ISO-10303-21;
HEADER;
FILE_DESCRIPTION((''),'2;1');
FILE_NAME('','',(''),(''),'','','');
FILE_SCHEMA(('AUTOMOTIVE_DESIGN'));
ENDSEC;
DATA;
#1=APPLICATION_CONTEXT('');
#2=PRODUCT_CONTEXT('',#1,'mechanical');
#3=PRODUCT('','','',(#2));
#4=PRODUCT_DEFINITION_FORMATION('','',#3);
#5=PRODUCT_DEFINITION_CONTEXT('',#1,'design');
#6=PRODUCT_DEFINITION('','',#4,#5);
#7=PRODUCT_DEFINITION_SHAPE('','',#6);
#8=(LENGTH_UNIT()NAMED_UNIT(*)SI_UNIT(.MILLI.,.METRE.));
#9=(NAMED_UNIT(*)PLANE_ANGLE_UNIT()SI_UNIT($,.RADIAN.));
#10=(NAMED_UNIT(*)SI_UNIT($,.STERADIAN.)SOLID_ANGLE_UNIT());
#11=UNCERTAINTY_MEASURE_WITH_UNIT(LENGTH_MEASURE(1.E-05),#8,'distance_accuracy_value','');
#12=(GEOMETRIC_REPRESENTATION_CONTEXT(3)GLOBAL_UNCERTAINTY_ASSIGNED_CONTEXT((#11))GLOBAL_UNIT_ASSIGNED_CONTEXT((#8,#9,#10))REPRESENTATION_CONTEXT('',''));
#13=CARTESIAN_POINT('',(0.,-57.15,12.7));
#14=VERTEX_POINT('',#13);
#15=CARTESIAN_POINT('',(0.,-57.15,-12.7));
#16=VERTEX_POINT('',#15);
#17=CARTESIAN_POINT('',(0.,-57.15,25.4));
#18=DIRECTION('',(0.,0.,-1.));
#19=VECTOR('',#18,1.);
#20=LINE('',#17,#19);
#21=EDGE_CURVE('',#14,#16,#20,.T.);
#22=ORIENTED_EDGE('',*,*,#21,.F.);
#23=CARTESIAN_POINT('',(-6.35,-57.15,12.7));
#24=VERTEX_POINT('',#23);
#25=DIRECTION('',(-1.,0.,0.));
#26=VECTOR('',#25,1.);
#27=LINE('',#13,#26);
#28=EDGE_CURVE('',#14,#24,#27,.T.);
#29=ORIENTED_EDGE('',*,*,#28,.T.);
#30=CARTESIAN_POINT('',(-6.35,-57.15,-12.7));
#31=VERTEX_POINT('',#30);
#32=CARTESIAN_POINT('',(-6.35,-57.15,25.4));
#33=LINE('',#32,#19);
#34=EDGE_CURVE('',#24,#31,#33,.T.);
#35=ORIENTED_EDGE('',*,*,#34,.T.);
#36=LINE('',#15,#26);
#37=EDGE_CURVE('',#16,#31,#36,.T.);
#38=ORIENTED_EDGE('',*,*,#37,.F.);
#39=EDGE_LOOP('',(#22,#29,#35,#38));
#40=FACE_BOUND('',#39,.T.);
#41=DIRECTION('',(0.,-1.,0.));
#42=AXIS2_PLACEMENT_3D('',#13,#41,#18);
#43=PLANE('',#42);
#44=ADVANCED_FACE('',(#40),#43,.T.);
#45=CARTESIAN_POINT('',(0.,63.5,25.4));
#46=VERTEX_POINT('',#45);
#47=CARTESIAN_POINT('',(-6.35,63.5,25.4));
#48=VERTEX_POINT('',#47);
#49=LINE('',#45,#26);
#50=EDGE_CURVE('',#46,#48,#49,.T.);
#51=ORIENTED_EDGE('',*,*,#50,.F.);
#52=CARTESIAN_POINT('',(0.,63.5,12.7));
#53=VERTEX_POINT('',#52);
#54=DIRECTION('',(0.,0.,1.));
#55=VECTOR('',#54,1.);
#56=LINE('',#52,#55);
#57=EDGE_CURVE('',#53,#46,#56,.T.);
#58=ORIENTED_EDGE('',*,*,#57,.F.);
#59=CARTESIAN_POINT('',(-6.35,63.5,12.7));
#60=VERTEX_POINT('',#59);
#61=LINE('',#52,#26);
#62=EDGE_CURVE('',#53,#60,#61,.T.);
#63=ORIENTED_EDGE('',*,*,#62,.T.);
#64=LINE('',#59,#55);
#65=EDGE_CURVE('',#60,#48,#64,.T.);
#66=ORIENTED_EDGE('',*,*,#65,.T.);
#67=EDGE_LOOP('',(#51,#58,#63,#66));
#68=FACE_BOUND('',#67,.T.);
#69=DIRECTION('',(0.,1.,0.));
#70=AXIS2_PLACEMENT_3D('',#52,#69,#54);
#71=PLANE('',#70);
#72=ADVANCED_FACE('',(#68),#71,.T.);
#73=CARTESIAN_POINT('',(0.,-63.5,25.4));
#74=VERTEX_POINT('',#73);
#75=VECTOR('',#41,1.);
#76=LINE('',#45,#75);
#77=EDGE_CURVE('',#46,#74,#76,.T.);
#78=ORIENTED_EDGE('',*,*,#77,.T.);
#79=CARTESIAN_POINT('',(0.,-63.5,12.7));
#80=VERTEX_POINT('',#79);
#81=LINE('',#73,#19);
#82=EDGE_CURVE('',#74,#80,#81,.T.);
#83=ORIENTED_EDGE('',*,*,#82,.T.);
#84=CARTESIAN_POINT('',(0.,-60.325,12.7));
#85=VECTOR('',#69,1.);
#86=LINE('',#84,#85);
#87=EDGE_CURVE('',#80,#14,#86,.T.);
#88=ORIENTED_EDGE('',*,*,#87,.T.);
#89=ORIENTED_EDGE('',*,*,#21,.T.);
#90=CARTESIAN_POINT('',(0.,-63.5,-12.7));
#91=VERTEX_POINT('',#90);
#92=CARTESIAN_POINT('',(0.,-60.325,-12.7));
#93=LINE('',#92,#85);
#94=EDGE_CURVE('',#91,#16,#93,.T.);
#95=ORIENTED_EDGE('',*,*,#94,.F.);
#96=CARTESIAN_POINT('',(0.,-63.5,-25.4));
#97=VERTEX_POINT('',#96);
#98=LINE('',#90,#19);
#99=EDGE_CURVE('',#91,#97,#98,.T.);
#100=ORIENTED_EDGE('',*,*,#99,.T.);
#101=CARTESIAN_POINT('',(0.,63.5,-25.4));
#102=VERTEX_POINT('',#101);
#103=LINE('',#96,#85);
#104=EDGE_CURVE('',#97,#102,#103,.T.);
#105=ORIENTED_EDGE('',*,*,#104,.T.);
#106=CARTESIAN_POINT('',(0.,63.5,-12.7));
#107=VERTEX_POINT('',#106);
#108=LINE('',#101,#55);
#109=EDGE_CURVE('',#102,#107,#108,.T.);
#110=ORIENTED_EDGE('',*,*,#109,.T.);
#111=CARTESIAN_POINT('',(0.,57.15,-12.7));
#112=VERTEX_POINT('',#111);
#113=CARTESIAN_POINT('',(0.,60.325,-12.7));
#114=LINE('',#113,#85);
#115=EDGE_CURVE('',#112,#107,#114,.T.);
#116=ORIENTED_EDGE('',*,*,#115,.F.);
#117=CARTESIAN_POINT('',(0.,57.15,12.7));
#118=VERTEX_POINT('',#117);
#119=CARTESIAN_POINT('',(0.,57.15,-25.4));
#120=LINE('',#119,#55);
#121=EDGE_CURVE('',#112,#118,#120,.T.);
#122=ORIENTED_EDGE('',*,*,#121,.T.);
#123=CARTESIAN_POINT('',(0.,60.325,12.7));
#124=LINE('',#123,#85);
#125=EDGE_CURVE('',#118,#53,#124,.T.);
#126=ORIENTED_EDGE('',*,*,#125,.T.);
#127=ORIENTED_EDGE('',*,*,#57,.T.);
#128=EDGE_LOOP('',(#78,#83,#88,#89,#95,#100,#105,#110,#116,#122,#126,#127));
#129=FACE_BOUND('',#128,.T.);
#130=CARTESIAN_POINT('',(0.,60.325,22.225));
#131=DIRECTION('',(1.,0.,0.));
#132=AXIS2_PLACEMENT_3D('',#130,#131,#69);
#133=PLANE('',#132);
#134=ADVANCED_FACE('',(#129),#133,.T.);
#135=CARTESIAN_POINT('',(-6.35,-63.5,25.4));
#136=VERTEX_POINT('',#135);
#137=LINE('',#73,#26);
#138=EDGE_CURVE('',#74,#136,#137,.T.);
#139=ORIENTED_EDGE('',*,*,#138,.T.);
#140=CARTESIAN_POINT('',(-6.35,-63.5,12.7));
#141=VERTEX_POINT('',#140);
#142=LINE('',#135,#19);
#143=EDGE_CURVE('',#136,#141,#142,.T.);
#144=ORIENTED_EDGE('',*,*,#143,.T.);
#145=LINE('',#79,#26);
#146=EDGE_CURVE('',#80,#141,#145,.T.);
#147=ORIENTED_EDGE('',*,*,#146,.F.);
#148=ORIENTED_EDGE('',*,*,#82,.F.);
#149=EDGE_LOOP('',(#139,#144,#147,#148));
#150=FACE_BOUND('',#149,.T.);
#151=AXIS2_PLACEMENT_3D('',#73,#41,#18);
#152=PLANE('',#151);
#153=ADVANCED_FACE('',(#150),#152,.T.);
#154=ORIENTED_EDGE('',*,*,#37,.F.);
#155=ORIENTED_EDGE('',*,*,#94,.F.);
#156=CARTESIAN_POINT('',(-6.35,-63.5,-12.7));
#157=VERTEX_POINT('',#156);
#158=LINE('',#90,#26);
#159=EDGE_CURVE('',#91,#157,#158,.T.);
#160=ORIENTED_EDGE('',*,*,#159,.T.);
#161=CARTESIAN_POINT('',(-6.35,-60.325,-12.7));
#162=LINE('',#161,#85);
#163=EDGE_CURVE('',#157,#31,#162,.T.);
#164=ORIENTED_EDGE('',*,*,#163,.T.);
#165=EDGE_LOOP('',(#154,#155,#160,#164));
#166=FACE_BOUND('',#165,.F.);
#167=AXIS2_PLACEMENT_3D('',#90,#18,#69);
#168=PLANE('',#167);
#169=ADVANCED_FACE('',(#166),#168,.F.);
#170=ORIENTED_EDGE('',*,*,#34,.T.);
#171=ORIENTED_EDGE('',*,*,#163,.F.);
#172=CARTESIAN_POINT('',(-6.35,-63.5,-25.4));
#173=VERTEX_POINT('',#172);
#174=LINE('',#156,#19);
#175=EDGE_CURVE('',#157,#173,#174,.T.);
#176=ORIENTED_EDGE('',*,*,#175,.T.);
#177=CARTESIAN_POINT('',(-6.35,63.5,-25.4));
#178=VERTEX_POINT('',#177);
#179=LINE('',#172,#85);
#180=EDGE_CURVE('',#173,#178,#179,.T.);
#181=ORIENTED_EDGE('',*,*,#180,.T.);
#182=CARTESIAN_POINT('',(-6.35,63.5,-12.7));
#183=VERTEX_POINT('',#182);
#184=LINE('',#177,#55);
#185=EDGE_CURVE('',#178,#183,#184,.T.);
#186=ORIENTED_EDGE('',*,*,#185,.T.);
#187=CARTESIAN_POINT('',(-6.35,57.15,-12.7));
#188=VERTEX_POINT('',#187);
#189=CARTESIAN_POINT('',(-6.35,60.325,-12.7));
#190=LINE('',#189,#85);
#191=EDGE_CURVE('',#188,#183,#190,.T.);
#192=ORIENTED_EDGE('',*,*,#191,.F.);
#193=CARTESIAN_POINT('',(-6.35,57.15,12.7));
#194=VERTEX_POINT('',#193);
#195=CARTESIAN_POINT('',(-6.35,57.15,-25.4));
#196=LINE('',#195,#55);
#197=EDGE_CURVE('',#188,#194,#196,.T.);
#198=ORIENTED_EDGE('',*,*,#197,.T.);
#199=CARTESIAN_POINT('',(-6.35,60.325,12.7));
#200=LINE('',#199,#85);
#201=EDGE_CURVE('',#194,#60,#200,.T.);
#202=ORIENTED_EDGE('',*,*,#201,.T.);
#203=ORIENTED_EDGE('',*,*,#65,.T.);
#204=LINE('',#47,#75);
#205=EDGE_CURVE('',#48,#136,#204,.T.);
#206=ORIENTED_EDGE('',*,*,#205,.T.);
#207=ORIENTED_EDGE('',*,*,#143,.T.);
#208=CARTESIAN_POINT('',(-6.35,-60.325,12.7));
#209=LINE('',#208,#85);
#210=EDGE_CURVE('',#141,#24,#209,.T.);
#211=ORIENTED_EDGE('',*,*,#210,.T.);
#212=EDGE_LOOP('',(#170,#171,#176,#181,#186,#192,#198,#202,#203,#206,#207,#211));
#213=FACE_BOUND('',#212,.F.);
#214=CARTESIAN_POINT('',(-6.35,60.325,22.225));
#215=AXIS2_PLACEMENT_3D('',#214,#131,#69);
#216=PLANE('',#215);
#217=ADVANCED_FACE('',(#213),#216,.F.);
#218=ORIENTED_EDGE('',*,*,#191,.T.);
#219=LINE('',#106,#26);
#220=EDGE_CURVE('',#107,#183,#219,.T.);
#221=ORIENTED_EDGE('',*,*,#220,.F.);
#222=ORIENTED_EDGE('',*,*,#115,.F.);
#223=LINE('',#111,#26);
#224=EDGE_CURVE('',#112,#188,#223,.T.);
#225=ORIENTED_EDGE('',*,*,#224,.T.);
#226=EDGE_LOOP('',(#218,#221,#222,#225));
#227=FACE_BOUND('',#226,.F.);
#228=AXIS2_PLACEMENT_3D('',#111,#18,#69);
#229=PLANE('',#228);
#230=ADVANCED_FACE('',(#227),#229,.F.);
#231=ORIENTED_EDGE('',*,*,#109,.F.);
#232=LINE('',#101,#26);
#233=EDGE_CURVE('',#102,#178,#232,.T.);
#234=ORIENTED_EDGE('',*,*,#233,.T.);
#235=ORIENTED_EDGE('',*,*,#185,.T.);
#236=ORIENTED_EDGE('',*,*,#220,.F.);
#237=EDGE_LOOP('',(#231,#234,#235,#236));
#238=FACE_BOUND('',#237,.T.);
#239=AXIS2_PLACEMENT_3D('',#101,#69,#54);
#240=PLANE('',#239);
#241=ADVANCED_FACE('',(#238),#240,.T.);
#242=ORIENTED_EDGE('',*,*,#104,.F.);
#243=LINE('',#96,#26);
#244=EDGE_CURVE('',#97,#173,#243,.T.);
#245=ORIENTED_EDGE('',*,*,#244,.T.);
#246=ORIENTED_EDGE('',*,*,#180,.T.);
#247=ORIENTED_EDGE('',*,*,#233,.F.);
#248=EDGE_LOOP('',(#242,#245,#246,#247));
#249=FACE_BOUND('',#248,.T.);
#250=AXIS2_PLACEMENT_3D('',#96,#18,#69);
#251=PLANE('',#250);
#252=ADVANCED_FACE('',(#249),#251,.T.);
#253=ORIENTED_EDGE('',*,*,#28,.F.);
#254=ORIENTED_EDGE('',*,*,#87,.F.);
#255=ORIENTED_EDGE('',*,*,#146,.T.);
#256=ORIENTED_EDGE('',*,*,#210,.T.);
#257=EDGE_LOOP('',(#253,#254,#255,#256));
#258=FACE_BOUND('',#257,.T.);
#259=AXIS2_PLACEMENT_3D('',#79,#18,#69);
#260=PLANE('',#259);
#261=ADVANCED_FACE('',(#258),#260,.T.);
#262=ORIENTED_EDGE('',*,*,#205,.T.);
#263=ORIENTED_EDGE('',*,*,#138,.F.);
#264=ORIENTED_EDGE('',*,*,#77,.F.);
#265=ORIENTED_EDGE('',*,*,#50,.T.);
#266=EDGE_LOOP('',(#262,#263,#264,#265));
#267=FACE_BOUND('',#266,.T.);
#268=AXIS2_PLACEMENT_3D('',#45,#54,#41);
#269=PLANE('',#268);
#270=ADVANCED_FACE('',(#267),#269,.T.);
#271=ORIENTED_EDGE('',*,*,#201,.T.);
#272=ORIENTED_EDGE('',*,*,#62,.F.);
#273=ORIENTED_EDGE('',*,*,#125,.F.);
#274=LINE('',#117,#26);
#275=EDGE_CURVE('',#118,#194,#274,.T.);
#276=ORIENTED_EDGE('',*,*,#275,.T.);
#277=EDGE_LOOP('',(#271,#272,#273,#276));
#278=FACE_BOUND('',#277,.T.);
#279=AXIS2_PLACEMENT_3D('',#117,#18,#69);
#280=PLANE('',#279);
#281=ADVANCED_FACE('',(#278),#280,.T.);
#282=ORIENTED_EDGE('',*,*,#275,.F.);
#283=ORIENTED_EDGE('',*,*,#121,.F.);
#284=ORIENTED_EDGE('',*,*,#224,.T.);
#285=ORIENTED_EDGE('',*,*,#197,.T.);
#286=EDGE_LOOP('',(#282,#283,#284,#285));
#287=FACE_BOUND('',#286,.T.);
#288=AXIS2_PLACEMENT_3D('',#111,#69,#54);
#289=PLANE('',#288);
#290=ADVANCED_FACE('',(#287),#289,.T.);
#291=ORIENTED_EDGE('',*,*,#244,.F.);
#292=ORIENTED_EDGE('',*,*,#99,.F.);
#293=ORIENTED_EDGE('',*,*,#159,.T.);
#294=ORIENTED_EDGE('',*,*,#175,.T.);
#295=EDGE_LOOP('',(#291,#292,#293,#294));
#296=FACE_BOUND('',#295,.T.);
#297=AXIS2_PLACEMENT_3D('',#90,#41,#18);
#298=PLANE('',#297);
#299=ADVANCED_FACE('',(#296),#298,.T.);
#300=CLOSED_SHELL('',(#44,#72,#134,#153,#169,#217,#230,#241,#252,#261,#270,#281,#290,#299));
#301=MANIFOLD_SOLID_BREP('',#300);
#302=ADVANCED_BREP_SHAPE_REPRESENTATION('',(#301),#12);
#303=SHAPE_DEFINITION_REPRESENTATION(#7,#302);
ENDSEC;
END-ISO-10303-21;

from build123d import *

# Parameters (mm, degrees)
F0_W     = 6.35
F0_H     = 6.35
F1_DEPTH = 6.35


with BuildPart() as f1:
    # F0 (on Right) → F1 (new body)
    with BuildSketch(Plane.YZ):
        with Locations((60.325, 22.225)):
            Rectangle(F0_W, F0_H)
        Polygon((57.15, 19.05), (57.15, 25.4), (-57.15, 25.4), (-57.15, 19.05), (-57.15, 12.7), (-57.15, -12.7), (-57.15, -19.05), (-57.15, -25.4), (57.15, -25.4), (57.15, -19.05), (57.15, -12.7), (57.15, 12.7), align=None)
        with Locations((60.325, 15.875)):
            Rectangle(F0_W, F0_H)
        with Locations((-60.325, 22.225)):
            Rectangle(F0_W, F0_H)
        with Locations((-60.325, 15.875)):
            Rectangle(F0_W, F0_H)
        with Locations((60.325, -15.875)):
            Rectangle(F0_W, F0_H)
        with Locations((-60.325, -15.875)):
            Rectangle(F0_W, F0_H)
        with Locations((60.325, -22.225)):
            Rectangle(F0_W, F0_H)
        with Locations((-60.325, -22.225)):
            Rectangle(F0_W, F0_H)
    extrude(amount=-F1_DEPTH)


solid = f1.part
